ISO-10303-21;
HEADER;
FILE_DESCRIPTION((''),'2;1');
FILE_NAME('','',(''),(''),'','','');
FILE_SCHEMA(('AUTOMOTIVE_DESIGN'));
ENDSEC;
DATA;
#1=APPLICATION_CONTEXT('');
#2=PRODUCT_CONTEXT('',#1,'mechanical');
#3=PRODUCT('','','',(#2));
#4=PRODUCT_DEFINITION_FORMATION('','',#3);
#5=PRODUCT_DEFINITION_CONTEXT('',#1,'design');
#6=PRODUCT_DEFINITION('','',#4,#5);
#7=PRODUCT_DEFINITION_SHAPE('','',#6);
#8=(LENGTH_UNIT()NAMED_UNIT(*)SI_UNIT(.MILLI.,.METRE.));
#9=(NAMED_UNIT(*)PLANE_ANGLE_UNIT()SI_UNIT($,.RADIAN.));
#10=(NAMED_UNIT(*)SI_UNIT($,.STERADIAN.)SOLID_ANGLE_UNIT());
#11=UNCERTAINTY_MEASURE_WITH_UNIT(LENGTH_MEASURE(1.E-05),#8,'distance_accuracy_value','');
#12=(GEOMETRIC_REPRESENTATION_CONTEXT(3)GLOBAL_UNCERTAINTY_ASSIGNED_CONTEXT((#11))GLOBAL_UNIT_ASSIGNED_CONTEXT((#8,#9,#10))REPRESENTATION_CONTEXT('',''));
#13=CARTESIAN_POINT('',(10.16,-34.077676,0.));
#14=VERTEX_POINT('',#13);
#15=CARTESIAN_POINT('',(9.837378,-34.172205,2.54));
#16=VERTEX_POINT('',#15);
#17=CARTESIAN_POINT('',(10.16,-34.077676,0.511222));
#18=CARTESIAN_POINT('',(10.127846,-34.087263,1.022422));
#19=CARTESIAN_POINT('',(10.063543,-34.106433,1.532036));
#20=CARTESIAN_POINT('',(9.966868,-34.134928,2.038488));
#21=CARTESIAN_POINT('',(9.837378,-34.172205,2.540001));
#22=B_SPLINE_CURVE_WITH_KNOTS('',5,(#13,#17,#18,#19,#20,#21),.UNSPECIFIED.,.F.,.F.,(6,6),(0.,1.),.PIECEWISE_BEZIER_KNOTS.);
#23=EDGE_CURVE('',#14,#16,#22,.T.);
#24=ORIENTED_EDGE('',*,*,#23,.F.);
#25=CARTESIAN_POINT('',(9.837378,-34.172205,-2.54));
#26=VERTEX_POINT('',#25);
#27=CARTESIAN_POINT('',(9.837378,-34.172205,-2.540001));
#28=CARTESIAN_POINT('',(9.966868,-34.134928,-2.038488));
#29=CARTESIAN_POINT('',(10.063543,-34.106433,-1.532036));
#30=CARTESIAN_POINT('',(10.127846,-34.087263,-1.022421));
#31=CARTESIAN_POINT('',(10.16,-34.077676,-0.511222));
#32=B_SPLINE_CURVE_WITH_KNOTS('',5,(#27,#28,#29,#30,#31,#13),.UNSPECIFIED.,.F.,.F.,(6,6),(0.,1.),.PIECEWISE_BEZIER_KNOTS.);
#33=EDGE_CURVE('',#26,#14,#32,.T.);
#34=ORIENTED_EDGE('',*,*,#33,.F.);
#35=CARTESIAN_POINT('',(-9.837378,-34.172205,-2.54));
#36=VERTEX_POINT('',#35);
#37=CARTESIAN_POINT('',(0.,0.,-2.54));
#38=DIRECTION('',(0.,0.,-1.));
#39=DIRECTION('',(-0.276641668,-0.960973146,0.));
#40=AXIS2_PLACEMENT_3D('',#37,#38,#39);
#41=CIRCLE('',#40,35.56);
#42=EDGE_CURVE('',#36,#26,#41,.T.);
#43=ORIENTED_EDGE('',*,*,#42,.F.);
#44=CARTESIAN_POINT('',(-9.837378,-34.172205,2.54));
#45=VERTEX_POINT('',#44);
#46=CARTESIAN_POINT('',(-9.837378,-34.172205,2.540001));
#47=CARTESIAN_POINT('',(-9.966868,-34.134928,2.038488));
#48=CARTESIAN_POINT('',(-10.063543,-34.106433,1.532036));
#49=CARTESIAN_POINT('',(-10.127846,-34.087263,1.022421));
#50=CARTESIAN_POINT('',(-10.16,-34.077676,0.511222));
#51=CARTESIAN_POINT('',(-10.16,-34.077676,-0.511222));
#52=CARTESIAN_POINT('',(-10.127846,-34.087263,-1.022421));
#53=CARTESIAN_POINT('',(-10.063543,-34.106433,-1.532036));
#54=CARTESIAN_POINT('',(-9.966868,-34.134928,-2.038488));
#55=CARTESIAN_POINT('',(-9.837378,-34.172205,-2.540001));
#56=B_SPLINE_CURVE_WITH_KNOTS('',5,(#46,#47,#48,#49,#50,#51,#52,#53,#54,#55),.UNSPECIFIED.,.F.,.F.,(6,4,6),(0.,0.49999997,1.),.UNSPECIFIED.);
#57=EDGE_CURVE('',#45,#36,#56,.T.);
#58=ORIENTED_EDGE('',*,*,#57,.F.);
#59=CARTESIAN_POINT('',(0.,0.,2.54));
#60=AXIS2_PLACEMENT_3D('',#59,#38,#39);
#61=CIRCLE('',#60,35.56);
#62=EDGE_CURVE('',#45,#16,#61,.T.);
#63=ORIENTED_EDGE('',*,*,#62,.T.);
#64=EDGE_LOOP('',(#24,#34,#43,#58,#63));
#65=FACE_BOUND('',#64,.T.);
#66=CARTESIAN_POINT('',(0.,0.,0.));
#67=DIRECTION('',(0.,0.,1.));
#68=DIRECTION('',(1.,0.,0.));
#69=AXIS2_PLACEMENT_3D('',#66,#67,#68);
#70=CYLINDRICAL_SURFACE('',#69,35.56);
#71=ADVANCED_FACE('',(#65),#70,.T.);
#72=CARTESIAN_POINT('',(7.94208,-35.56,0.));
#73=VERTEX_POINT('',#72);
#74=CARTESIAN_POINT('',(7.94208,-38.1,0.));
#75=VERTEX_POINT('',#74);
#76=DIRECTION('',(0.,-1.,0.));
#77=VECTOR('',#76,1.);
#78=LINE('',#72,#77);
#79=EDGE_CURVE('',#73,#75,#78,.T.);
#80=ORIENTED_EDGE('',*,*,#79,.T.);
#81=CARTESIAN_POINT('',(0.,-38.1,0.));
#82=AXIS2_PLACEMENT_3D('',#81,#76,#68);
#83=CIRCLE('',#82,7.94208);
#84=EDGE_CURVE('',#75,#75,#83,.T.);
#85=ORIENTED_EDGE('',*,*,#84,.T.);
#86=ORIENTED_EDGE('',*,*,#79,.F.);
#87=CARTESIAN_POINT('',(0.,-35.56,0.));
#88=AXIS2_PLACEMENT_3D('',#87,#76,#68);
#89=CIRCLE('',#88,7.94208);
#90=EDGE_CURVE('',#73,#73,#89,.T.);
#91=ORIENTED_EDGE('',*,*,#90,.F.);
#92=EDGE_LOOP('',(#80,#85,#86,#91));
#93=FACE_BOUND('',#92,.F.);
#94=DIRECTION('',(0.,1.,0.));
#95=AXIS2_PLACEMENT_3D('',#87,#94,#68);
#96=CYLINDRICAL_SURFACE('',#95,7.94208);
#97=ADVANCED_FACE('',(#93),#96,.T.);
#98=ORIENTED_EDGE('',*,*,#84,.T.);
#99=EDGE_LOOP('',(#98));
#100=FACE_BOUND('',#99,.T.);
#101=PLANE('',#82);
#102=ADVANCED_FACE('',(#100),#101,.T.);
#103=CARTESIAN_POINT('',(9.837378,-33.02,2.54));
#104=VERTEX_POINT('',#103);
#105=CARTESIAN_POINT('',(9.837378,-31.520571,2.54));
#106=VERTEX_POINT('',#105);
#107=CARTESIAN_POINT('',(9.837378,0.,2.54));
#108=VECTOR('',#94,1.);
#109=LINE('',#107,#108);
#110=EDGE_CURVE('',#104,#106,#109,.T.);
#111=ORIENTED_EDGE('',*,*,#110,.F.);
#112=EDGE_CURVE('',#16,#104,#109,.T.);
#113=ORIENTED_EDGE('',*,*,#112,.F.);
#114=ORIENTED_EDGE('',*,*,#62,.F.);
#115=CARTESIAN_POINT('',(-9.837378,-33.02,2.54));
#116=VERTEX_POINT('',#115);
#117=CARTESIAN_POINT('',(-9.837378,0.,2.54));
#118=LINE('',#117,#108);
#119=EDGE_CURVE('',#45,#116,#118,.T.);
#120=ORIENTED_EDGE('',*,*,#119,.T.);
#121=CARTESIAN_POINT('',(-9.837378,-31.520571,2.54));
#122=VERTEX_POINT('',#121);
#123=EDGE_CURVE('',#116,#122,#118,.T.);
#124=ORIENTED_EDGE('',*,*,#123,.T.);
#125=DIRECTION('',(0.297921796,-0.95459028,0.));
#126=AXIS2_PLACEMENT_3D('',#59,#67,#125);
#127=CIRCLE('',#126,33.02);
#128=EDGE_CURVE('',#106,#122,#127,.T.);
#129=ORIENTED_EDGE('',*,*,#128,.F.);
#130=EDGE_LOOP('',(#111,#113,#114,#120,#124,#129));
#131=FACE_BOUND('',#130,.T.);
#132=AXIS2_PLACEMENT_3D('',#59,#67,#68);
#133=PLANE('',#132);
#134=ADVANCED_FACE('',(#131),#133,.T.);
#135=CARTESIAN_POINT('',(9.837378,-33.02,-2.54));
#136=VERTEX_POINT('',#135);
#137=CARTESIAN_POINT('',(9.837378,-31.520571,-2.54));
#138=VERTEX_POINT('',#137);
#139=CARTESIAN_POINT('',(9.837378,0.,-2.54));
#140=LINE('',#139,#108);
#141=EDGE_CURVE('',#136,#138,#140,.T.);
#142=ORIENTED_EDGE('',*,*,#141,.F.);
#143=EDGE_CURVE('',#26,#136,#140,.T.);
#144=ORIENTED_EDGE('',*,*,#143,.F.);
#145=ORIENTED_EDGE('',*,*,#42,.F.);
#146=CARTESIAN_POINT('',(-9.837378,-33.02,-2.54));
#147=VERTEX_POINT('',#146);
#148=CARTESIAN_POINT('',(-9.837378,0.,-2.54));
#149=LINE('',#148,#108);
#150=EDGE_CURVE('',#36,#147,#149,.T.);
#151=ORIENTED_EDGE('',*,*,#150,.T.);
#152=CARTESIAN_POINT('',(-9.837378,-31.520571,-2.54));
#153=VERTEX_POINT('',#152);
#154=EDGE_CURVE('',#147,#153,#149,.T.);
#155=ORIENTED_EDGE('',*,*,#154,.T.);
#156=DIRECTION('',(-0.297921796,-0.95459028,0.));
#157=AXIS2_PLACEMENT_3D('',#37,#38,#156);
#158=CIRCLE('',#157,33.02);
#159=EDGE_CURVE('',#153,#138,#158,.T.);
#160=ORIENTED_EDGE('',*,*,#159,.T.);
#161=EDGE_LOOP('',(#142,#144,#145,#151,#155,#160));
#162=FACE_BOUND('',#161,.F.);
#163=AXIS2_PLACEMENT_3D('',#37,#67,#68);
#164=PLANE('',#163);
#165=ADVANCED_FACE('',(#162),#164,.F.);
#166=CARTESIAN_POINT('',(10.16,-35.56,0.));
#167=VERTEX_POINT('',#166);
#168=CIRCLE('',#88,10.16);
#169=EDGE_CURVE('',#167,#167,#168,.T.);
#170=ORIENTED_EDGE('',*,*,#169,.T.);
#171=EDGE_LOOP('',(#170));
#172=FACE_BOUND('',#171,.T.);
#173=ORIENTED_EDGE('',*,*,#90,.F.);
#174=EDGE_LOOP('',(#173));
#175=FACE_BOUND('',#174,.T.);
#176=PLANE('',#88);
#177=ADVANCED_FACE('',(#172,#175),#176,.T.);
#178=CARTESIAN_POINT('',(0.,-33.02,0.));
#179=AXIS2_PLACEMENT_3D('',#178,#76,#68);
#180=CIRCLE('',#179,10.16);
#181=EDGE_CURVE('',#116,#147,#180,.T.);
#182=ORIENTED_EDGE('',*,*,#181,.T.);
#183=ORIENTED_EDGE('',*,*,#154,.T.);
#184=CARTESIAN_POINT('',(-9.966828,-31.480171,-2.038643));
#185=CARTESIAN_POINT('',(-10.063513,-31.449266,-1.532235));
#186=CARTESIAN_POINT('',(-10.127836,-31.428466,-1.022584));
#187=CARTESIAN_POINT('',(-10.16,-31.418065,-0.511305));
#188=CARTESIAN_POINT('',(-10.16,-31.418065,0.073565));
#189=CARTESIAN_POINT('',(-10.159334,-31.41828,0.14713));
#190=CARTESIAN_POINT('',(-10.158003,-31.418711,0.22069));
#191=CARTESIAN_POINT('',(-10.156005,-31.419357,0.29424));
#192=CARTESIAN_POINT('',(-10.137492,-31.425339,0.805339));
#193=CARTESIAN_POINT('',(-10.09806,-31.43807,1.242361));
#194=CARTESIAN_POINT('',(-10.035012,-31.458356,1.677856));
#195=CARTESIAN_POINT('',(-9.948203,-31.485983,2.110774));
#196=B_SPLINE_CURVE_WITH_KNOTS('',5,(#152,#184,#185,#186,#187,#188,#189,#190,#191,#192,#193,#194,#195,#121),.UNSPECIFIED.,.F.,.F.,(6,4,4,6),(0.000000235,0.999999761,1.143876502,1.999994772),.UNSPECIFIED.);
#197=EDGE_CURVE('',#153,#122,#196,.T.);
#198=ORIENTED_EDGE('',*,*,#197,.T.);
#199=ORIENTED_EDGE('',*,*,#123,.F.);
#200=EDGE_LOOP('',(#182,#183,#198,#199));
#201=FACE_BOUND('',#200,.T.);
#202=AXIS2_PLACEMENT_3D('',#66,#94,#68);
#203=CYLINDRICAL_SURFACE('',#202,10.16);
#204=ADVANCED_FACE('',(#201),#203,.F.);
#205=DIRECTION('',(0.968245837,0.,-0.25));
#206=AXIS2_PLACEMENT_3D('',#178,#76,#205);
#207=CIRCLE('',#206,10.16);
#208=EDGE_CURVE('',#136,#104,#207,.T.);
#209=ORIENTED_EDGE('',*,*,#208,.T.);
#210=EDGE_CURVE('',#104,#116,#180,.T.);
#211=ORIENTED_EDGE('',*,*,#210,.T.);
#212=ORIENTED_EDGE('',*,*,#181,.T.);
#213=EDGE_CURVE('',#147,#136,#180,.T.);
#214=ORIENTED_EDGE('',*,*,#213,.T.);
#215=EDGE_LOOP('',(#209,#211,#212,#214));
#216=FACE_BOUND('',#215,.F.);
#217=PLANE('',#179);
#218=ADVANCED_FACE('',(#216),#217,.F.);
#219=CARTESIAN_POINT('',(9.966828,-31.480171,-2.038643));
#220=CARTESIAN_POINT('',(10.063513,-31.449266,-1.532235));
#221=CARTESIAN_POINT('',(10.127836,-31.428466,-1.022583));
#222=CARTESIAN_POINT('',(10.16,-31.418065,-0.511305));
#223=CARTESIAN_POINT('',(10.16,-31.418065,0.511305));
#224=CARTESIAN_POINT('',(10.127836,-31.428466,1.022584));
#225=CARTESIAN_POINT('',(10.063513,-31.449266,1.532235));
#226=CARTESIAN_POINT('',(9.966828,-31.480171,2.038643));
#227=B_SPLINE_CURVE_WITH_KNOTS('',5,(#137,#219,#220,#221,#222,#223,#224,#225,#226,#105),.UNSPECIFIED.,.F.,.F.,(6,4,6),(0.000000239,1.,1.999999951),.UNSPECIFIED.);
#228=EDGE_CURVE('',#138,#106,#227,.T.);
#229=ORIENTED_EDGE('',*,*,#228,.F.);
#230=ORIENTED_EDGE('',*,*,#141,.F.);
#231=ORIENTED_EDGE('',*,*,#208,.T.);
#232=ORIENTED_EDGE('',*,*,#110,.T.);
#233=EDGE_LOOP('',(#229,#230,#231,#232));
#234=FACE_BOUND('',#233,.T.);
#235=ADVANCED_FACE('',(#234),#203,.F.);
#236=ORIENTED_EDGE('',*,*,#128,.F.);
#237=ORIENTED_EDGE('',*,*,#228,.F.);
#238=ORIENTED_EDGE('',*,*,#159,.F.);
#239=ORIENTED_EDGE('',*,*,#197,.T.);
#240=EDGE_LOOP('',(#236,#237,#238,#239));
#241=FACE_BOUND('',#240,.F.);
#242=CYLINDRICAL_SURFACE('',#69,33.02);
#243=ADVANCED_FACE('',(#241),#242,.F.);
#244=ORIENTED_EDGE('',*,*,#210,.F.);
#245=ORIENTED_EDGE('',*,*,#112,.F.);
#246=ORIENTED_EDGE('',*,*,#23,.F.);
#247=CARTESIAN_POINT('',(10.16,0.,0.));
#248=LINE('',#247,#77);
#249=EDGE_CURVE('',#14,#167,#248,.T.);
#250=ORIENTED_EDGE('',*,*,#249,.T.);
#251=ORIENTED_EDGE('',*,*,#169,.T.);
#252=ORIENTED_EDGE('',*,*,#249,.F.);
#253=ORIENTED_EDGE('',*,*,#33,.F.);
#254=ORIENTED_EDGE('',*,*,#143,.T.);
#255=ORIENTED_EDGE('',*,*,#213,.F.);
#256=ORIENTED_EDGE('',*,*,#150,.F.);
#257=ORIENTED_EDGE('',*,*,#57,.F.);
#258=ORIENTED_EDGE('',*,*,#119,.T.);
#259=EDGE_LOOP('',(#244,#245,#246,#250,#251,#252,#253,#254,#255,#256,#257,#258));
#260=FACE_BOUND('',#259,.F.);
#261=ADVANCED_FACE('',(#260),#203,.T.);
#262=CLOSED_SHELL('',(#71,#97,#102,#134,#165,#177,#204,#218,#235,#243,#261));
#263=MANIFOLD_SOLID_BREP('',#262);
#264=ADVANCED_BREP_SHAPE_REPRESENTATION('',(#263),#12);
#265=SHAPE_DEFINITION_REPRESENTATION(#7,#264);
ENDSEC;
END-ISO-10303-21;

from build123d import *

# Parameters (mm, degrees)
F0_R     = 35.56
F0_R_2   = 33.02
F1_DEPTH = 2.54
F2_DEPTH = 2.54
F3_R     = 10.16
F4_DEPTH = 35.56
F5_DEPTH = 33.02
F6_R     = 7.94208
F7_DEPTH = 2.54


with BuildPart() as f1:
    # F0 (on Top) → F1 (new body)
    with BuildSketch(Plane.XY):
        Circle(F0_R)
        Circle(F0_R_2, mode=Mode.SUBTRACT)
    extrude(amount=F1_DEPTH)

    # F0 (on Top) → F2 (join)
    with BuildSketch(Plane.XY):
        Circle(F0_R)
        Circle(F0_R_2, mode=Mode.SUBTRACT)
    extrude(amount=-F2_DEPTH)

    # F3 (on Front) → F4 (join)
    with BuildSketch(Plane.XZ):
        Circle(F3_R)
    extrude(amount=F4_DEPTH)

    # F3 (on Front) → F5 (cut)
    with BuildSketch(Plane.XZ):
        Circle(F3_R)
    extrude(amount=F5_DEPTH, mode=Mode.SUBTRACT)

    # F6 (on face) → F7 (join)
    with BuildSketch(Plane.XZ.offset(35.56)):
        Circle(F6_R)
    extrude(amount=F7_DEPTH)


solid = f1.part
